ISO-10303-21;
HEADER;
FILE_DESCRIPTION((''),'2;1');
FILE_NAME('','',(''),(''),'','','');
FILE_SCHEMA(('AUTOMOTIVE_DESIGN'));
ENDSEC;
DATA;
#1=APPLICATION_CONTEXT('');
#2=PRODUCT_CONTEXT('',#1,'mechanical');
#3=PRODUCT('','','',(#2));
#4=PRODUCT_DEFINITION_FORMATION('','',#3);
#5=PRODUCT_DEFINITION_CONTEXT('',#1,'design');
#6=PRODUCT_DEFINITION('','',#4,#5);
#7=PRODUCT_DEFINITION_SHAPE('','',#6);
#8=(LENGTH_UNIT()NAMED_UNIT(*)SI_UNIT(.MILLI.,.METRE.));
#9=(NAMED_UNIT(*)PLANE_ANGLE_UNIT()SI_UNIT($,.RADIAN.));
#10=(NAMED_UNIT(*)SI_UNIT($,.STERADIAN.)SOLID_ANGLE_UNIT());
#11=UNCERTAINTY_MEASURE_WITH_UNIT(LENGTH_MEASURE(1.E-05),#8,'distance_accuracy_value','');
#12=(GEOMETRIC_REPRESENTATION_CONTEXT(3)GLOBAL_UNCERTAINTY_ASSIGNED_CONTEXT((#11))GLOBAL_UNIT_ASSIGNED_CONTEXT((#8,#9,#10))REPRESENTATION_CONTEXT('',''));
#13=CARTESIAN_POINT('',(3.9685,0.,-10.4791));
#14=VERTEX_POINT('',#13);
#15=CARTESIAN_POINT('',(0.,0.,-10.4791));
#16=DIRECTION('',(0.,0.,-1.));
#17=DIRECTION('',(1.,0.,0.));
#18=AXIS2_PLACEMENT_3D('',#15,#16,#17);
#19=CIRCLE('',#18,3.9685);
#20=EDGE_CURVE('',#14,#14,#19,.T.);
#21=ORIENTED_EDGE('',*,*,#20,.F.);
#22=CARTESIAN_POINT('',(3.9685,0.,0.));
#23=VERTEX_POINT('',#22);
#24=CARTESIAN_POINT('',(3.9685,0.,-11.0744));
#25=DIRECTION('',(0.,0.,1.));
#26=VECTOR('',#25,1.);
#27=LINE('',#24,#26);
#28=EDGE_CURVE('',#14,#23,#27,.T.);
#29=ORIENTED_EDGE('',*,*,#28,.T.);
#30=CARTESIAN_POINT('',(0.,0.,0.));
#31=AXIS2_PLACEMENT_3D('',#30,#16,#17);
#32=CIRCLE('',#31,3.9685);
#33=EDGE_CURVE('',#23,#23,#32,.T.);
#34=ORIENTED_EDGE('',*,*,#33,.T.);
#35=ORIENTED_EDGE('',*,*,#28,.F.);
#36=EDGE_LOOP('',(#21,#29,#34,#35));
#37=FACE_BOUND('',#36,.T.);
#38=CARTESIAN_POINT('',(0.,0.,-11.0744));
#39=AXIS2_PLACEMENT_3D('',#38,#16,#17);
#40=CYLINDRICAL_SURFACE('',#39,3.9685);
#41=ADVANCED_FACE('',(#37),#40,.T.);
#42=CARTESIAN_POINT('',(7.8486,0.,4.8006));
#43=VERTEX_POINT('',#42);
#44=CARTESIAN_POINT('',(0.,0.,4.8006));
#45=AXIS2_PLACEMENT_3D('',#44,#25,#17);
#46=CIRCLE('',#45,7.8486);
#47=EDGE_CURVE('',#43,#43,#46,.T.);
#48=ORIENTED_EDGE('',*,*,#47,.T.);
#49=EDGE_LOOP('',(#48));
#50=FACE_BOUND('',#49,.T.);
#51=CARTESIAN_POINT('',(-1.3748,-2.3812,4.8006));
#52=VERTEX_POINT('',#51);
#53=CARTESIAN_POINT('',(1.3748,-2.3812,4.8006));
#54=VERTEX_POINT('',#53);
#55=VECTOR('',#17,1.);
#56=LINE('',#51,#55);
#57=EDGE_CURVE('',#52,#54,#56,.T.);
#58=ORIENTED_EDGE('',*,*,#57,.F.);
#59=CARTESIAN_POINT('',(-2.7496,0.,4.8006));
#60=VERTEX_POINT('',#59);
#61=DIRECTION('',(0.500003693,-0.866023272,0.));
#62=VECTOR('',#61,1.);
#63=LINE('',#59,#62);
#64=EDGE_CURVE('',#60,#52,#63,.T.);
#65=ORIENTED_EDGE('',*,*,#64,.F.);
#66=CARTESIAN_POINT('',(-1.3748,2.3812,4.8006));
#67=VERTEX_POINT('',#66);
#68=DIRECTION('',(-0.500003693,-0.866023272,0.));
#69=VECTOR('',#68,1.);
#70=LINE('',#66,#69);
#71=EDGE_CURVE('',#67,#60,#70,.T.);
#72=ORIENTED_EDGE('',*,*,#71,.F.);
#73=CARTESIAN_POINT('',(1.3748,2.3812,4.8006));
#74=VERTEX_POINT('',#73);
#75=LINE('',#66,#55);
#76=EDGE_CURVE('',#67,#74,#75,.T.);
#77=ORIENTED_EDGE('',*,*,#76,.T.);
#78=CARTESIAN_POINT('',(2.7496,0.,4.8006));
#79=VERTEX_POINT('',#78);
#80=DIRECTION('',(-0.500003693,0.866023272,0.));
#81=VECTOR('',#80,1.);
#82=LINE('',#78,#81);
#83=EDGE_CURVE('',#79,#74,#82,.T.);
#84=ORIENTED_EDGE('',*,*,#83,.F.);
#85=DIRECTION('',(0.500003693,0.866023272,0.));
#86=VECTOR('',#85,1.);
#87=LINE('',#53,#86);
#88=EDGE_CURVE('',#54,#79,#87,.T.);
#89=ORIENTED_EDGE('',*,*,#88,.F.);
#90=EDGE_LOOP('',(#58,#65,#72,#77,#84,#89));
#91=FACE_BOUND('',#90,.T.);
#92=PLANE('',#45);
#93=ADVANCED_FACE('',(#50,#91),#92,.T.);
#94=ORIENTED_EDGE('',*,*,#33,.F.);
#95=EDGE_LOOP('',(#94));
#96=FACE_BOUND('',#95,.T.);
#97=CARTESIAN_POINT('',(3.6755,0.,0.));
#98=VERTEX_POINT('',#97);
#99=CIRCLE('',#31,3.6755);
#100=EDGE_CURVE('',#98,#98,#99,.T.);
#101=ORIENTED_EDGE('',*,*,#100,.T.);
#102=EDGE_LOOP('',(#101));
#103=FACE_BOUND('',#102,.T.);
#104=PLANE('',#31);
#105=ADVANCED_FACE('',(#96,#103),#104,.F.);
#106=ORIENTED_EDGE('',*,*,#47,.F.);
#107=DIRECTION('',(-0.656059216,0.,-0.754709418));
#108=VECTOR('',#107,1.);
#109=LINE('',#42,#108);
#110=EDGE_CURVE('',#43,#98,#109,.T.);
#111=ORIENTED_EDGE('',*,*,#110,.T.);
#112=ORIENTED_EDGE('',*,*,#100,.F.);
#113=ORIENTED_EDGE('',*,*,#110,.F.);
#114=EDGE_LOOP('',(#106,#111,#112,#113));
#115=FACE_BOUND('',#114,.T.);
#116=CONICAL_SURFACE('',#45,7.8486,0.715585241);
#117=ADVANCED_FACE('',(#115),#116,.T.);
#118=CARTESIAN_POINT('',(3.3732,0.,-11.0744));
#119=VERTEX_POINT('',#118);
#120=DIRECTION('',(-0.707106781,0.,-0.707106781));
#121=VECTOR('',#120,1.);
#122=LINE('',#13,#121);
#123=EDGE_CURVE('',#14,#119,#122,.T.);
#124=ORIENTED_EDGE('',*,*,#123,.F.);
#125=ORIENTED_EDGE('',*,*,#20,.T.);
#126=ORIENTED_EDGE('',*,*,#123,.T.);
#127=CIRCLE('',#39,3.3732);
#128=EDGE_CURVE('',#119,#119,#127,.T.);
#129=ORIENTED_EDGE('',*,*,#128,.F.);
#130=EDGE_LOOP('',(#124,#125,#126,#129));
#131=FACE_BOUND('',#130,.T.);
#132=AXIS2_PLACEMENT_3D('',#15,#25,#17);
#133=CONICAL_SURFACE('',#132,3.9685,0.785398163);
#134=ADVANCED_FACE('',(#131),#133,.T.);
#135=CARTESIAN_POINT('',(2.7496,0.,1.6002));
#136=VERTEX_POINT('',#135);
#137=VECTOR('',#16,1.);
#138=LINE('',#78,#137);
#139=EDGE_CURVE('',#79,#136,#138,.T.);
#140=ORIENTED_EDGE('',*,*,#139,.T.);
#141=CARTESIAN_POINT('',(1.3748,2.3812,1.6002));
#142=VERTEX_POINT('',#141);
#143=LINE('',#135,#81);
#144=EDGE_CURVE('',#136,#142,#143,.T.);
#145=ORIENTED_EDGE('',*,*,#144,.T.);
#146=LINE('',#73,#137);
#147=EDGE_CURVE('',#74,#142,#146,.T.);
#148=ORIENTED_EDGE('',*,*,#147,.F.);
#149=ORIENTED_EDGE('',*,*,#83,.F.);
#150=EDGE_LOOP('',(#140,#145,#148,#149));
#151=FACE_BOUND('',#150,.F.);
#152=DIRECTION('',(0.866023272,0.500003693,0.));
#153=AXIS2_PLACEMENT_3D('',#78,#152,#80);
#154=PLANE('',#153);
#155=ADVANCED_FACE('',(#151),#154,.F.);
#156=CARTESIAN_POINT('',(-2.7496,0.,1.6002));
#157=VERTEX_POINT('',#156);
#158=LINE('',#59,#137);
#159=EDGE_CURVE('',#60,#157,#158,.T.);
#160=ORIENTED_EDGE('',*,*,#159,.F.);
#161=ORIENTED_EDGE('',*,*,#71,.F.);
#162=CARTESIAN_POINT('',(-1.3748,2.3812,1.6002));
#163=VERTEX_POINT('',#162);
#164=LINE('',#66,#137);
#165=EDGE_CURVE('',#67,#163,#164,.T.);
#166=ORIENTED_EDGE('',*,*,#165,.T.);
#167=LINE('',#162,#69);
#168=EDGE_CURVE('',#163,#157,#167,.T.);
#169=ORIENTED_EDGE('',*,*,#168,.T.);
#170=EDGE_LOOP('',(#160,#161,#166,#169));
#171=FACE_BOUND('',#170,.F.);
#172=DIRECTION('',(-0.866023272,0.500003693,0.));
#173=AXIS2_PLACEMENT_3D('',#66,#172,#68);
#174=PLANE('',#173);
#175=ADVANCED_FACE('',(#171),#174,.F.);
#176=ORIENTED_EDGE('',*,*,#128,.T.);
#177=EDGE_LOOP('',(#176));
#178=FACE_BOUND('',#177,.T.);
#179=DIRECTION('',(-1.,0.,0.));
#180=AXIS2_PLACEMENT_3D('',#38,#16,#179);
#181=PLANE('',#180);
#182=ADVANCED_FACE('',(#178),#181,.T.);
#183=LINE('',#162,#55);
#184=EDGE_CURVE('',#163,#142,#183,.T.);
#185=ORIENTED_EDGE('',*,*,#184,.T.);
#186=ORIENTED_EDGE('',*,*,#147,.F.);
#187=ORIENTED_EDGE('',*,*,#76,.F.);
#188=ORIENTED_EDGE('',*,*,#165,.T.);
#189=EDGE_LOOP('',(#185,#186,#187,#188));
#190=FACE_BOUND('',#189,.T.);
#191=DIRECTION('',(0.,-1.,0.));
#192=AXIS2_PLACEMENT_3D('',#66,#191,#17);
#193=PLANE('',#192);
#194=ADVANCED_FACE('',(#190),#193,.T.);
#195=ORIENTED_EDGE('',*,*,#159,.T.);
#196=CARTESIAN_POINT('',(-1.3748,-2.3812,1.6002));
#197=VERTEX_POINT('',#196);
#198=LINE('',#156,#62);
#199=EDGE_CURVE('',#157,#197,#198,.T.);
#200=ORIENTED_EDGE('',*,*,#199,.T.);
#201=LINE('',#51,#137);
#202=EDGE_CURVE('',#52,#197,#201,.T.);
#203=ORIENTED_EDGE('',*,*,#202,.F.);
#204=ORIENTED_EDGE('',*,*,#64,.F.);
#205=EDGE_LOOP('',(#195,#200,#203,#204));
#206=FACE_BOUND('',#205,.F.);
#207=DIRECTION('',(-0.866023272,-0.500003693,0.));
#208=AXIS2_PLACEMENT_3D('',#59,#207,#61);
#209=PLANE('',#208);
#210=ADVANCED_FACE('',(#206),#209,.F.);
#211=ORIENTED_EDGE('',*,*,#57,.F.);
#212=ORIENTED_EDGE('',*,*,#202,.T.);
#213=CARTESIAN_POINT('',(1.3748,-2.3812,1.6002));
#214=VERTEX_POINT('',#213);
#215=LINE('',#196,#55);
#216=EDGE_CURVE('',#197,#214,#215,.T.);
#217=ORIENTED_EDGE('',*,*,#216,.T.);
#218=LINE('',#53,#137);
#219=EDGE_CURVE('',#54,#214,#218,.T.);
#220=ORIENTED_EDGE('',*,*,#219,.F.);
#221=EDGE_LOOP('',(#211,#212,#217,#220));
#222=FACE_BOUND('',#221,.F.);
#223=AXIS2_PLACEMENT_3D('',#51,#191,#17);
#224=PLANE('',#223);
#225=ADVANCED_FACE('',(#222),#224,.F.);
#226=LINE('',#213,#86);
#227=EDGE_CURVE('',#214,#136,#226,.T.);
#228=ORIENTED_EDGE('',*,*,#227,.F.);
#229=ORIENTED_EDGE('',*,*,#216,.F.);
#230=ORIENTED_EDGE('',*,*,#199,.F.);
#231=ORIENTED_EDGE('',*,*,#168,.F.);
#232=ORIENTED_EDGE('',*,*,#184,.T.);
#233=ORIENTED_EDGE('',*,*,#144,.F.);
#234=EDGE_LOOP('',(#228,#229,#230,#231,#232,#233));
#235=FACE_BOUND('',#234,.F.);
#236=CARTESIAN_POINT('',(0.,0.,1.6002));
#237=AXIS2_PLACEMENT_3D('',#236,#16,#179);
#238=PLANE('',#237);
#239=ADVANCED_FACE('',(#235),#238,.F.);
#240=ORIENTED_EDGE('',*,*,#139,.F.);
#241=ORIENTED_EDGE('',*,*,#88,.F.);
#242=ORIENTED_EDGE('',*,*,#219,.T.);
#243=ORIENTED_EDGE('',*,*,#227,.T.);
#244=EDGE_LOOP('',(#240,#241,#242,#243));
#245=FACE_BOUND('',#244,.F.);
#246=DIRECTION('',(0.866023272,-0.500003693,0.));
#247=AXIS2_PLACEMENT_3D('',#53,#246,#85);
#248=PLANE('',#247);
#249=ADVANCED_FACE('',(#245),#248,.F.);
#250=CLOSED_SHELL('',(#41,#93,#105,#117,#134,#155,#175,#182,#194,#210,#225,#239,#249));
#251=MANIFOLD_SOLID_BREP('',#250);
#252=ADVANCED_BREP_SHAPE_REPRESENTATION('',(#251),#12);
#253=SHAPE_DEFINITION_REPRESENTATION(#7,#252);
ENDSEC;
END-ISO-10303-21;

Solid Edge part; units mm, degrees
sketch "Sketch1" plane through (0, 0, 0) normal (0, 0, 1) x (1, 0, 0)
  circle A0 centre (0, 0) radius 7.8486
  dimension "D1" = 15.6972
extrude "Protrusion1" add sketch "Sketch1" along normal blind 4.8006
sketch "Sketch2" plane through (0, 0, 0) normal (0, 0, -1) x (1, 0, 0)
  circle A0 centre (0, 0) radius 3.9688
extrude "Protrusion2" add sketch "Sketch2" along normal blind 11.0744
sketch "Sketch3" plane through (0, 0, -11.0744) normal (0, 0, -1) x (1, 0, 0)
  circle A0 centre (0, 0) radius 3.9685
extrude "Cutout1" cut sketch "Sketch3" against normal blind 11.0744 flip side to cut
chamfer "Chamfer_1" distance 0.5953 angle 45 1 edges at (-3.9685, 0, -11.0744)
sketch "Sketch4" plane through (0, 0, 4.8006) normal (0, 0, 1) x (1, 0, 0)
  line L0 (-1.3748, 2.3812) -> (1.3748, 2.3812)
  line L1 (2.7496, 0) -> (1.3748, 2.3812)
  line L2 (1.3748, -2.3812) -> (2.7496, 0)
  line L3 (-1.3748, -2.3812) -> (1.3748, -2.3812)
  line L4 (-2.7496, 0) -> (-1.3748, -2.3812)
  line L5 (-1.3748, 2.3812) -> (-2.7496, 0)
  dimension "D1" = 4.7625
extrude "Cutout2" cut sketch "Sketch4" against normal blind 3.2004
sketch "Sketch5" plane through (0, 0, 0) normal (0, -1, 0) x (1, 0, 0)
  line L0 (7.8486, 4.8006) -> (3.6755, 0)
  line L1 (3.6755, 0) -> (7.8486, 0)
  line L2 (7.8486, 0) -> (7.8486, 4.8006)
revolve "RevolvedCutout1" cut sketch "Sketch5" angle 360 about axis through (0, 0, 14.0017) along (0, 0, -1)
properties part number "24102337"
